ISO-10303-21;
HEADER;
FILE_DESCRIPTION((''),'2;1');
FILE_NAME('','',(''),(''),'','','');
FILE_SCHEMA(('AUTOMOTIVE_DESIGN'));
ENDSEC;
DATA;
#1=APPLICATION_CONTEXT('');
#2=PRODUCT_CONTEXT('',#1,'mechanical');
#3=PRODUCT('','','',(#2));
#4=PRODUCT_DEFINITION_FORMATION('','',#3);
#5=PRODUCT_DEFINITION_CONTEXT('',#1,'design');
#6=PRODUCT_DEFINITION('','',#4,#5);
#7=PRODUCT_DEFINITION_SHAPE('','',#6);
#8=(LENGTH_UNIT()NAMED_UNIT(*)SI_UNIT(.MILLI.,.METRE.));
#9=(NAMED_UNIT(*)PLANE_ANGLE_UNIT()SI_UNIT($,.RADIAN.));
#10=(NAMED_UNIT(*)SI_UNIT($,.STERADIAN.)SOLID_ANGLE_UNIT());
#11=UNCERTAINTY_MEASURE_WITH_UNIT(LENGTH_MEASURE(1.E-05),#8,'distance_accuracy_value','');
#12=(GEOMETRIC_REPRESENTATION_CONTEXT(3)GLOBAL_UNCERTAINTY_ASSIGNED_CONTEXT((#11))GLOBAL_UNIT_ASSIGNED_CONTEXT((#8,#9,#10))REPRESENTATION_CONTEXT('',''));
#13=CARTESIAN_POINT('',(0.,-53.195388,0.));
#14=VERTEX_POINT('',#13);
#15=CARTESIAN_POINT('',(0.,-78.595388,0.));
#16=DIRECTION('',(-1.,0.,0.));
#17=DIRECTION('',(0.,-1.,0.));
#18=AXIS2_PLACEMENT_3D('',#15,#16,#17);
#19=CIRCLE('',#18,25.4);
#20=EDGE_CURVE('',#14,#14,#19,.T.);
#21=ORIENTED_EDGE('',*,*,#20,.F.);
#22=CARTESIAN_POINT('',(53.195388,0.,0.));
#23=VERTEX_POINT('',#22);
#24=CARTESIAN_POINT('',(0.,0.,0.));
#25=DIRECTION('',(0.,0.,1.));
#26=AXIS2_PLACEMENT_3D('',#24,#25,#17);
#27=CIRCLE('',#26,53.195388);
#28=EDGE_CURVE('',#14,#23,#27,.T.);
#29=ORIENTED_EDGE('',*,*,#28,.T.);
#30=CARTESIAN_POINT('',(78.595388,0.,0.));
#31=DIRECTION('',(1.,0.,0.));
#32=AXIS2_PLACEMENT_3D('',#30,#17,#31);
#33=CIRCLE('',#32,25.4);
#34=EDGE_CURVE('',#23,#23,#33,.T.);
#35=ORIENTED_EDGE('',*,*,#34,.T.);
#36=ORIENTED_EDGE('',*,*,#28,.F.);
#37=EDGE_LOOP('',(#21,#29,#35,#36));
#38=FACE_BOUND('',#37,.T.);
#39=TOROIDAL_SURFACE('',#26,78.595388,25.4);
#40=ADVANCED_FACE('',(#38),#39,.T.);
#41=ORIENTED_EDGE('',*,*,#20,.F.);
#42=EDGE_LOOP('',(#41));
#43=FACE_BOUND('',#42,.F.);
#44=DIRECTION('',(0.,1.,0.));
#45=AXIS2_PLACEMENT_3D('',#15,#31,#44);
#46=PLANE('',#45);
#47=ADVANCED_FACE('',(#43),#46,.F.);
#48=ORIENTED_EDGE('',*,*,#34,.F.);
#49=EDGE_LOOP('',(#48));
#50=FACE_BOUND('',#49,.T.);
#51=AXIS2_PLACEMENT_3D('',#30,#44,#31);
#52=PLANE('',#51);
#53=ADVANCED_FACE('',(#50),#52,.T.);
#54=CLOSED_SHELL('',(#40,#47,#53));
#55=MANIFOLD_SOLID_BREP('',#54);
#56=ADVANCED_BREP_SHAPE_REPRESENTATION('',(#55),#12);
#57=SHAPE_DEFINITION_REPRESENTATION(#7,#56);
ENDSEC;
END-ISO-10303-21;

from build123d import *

# Parameters (mm, degrees)
F2_R   = 25.4
F2_R_2 = 23.296445127


with BuildPart() as f3:
    # F3: sweep along a path in F0
    with BuildLine(Plane.XY) as f3_path:
        ThreePointArc((0, -78.6436647177), (55.6094686192, -55.6094686192), (78.6436647177, 0))
    # F2 (on plane+point) → F3 (sweep)
    with BuildSketch(Plane.YZ):
        with Locations((-78.595388129, 0)):
            Circle(F2_R)
        with Locations((-78.595388129, 0)):
            Circle(F2_R_2, mode=Mode.SUBTRACT)
        with Locations((-78.595388129, 0)):
            Circle(F2_R_2)
    sweep(path=f3_path.line)


solid = f3.part
